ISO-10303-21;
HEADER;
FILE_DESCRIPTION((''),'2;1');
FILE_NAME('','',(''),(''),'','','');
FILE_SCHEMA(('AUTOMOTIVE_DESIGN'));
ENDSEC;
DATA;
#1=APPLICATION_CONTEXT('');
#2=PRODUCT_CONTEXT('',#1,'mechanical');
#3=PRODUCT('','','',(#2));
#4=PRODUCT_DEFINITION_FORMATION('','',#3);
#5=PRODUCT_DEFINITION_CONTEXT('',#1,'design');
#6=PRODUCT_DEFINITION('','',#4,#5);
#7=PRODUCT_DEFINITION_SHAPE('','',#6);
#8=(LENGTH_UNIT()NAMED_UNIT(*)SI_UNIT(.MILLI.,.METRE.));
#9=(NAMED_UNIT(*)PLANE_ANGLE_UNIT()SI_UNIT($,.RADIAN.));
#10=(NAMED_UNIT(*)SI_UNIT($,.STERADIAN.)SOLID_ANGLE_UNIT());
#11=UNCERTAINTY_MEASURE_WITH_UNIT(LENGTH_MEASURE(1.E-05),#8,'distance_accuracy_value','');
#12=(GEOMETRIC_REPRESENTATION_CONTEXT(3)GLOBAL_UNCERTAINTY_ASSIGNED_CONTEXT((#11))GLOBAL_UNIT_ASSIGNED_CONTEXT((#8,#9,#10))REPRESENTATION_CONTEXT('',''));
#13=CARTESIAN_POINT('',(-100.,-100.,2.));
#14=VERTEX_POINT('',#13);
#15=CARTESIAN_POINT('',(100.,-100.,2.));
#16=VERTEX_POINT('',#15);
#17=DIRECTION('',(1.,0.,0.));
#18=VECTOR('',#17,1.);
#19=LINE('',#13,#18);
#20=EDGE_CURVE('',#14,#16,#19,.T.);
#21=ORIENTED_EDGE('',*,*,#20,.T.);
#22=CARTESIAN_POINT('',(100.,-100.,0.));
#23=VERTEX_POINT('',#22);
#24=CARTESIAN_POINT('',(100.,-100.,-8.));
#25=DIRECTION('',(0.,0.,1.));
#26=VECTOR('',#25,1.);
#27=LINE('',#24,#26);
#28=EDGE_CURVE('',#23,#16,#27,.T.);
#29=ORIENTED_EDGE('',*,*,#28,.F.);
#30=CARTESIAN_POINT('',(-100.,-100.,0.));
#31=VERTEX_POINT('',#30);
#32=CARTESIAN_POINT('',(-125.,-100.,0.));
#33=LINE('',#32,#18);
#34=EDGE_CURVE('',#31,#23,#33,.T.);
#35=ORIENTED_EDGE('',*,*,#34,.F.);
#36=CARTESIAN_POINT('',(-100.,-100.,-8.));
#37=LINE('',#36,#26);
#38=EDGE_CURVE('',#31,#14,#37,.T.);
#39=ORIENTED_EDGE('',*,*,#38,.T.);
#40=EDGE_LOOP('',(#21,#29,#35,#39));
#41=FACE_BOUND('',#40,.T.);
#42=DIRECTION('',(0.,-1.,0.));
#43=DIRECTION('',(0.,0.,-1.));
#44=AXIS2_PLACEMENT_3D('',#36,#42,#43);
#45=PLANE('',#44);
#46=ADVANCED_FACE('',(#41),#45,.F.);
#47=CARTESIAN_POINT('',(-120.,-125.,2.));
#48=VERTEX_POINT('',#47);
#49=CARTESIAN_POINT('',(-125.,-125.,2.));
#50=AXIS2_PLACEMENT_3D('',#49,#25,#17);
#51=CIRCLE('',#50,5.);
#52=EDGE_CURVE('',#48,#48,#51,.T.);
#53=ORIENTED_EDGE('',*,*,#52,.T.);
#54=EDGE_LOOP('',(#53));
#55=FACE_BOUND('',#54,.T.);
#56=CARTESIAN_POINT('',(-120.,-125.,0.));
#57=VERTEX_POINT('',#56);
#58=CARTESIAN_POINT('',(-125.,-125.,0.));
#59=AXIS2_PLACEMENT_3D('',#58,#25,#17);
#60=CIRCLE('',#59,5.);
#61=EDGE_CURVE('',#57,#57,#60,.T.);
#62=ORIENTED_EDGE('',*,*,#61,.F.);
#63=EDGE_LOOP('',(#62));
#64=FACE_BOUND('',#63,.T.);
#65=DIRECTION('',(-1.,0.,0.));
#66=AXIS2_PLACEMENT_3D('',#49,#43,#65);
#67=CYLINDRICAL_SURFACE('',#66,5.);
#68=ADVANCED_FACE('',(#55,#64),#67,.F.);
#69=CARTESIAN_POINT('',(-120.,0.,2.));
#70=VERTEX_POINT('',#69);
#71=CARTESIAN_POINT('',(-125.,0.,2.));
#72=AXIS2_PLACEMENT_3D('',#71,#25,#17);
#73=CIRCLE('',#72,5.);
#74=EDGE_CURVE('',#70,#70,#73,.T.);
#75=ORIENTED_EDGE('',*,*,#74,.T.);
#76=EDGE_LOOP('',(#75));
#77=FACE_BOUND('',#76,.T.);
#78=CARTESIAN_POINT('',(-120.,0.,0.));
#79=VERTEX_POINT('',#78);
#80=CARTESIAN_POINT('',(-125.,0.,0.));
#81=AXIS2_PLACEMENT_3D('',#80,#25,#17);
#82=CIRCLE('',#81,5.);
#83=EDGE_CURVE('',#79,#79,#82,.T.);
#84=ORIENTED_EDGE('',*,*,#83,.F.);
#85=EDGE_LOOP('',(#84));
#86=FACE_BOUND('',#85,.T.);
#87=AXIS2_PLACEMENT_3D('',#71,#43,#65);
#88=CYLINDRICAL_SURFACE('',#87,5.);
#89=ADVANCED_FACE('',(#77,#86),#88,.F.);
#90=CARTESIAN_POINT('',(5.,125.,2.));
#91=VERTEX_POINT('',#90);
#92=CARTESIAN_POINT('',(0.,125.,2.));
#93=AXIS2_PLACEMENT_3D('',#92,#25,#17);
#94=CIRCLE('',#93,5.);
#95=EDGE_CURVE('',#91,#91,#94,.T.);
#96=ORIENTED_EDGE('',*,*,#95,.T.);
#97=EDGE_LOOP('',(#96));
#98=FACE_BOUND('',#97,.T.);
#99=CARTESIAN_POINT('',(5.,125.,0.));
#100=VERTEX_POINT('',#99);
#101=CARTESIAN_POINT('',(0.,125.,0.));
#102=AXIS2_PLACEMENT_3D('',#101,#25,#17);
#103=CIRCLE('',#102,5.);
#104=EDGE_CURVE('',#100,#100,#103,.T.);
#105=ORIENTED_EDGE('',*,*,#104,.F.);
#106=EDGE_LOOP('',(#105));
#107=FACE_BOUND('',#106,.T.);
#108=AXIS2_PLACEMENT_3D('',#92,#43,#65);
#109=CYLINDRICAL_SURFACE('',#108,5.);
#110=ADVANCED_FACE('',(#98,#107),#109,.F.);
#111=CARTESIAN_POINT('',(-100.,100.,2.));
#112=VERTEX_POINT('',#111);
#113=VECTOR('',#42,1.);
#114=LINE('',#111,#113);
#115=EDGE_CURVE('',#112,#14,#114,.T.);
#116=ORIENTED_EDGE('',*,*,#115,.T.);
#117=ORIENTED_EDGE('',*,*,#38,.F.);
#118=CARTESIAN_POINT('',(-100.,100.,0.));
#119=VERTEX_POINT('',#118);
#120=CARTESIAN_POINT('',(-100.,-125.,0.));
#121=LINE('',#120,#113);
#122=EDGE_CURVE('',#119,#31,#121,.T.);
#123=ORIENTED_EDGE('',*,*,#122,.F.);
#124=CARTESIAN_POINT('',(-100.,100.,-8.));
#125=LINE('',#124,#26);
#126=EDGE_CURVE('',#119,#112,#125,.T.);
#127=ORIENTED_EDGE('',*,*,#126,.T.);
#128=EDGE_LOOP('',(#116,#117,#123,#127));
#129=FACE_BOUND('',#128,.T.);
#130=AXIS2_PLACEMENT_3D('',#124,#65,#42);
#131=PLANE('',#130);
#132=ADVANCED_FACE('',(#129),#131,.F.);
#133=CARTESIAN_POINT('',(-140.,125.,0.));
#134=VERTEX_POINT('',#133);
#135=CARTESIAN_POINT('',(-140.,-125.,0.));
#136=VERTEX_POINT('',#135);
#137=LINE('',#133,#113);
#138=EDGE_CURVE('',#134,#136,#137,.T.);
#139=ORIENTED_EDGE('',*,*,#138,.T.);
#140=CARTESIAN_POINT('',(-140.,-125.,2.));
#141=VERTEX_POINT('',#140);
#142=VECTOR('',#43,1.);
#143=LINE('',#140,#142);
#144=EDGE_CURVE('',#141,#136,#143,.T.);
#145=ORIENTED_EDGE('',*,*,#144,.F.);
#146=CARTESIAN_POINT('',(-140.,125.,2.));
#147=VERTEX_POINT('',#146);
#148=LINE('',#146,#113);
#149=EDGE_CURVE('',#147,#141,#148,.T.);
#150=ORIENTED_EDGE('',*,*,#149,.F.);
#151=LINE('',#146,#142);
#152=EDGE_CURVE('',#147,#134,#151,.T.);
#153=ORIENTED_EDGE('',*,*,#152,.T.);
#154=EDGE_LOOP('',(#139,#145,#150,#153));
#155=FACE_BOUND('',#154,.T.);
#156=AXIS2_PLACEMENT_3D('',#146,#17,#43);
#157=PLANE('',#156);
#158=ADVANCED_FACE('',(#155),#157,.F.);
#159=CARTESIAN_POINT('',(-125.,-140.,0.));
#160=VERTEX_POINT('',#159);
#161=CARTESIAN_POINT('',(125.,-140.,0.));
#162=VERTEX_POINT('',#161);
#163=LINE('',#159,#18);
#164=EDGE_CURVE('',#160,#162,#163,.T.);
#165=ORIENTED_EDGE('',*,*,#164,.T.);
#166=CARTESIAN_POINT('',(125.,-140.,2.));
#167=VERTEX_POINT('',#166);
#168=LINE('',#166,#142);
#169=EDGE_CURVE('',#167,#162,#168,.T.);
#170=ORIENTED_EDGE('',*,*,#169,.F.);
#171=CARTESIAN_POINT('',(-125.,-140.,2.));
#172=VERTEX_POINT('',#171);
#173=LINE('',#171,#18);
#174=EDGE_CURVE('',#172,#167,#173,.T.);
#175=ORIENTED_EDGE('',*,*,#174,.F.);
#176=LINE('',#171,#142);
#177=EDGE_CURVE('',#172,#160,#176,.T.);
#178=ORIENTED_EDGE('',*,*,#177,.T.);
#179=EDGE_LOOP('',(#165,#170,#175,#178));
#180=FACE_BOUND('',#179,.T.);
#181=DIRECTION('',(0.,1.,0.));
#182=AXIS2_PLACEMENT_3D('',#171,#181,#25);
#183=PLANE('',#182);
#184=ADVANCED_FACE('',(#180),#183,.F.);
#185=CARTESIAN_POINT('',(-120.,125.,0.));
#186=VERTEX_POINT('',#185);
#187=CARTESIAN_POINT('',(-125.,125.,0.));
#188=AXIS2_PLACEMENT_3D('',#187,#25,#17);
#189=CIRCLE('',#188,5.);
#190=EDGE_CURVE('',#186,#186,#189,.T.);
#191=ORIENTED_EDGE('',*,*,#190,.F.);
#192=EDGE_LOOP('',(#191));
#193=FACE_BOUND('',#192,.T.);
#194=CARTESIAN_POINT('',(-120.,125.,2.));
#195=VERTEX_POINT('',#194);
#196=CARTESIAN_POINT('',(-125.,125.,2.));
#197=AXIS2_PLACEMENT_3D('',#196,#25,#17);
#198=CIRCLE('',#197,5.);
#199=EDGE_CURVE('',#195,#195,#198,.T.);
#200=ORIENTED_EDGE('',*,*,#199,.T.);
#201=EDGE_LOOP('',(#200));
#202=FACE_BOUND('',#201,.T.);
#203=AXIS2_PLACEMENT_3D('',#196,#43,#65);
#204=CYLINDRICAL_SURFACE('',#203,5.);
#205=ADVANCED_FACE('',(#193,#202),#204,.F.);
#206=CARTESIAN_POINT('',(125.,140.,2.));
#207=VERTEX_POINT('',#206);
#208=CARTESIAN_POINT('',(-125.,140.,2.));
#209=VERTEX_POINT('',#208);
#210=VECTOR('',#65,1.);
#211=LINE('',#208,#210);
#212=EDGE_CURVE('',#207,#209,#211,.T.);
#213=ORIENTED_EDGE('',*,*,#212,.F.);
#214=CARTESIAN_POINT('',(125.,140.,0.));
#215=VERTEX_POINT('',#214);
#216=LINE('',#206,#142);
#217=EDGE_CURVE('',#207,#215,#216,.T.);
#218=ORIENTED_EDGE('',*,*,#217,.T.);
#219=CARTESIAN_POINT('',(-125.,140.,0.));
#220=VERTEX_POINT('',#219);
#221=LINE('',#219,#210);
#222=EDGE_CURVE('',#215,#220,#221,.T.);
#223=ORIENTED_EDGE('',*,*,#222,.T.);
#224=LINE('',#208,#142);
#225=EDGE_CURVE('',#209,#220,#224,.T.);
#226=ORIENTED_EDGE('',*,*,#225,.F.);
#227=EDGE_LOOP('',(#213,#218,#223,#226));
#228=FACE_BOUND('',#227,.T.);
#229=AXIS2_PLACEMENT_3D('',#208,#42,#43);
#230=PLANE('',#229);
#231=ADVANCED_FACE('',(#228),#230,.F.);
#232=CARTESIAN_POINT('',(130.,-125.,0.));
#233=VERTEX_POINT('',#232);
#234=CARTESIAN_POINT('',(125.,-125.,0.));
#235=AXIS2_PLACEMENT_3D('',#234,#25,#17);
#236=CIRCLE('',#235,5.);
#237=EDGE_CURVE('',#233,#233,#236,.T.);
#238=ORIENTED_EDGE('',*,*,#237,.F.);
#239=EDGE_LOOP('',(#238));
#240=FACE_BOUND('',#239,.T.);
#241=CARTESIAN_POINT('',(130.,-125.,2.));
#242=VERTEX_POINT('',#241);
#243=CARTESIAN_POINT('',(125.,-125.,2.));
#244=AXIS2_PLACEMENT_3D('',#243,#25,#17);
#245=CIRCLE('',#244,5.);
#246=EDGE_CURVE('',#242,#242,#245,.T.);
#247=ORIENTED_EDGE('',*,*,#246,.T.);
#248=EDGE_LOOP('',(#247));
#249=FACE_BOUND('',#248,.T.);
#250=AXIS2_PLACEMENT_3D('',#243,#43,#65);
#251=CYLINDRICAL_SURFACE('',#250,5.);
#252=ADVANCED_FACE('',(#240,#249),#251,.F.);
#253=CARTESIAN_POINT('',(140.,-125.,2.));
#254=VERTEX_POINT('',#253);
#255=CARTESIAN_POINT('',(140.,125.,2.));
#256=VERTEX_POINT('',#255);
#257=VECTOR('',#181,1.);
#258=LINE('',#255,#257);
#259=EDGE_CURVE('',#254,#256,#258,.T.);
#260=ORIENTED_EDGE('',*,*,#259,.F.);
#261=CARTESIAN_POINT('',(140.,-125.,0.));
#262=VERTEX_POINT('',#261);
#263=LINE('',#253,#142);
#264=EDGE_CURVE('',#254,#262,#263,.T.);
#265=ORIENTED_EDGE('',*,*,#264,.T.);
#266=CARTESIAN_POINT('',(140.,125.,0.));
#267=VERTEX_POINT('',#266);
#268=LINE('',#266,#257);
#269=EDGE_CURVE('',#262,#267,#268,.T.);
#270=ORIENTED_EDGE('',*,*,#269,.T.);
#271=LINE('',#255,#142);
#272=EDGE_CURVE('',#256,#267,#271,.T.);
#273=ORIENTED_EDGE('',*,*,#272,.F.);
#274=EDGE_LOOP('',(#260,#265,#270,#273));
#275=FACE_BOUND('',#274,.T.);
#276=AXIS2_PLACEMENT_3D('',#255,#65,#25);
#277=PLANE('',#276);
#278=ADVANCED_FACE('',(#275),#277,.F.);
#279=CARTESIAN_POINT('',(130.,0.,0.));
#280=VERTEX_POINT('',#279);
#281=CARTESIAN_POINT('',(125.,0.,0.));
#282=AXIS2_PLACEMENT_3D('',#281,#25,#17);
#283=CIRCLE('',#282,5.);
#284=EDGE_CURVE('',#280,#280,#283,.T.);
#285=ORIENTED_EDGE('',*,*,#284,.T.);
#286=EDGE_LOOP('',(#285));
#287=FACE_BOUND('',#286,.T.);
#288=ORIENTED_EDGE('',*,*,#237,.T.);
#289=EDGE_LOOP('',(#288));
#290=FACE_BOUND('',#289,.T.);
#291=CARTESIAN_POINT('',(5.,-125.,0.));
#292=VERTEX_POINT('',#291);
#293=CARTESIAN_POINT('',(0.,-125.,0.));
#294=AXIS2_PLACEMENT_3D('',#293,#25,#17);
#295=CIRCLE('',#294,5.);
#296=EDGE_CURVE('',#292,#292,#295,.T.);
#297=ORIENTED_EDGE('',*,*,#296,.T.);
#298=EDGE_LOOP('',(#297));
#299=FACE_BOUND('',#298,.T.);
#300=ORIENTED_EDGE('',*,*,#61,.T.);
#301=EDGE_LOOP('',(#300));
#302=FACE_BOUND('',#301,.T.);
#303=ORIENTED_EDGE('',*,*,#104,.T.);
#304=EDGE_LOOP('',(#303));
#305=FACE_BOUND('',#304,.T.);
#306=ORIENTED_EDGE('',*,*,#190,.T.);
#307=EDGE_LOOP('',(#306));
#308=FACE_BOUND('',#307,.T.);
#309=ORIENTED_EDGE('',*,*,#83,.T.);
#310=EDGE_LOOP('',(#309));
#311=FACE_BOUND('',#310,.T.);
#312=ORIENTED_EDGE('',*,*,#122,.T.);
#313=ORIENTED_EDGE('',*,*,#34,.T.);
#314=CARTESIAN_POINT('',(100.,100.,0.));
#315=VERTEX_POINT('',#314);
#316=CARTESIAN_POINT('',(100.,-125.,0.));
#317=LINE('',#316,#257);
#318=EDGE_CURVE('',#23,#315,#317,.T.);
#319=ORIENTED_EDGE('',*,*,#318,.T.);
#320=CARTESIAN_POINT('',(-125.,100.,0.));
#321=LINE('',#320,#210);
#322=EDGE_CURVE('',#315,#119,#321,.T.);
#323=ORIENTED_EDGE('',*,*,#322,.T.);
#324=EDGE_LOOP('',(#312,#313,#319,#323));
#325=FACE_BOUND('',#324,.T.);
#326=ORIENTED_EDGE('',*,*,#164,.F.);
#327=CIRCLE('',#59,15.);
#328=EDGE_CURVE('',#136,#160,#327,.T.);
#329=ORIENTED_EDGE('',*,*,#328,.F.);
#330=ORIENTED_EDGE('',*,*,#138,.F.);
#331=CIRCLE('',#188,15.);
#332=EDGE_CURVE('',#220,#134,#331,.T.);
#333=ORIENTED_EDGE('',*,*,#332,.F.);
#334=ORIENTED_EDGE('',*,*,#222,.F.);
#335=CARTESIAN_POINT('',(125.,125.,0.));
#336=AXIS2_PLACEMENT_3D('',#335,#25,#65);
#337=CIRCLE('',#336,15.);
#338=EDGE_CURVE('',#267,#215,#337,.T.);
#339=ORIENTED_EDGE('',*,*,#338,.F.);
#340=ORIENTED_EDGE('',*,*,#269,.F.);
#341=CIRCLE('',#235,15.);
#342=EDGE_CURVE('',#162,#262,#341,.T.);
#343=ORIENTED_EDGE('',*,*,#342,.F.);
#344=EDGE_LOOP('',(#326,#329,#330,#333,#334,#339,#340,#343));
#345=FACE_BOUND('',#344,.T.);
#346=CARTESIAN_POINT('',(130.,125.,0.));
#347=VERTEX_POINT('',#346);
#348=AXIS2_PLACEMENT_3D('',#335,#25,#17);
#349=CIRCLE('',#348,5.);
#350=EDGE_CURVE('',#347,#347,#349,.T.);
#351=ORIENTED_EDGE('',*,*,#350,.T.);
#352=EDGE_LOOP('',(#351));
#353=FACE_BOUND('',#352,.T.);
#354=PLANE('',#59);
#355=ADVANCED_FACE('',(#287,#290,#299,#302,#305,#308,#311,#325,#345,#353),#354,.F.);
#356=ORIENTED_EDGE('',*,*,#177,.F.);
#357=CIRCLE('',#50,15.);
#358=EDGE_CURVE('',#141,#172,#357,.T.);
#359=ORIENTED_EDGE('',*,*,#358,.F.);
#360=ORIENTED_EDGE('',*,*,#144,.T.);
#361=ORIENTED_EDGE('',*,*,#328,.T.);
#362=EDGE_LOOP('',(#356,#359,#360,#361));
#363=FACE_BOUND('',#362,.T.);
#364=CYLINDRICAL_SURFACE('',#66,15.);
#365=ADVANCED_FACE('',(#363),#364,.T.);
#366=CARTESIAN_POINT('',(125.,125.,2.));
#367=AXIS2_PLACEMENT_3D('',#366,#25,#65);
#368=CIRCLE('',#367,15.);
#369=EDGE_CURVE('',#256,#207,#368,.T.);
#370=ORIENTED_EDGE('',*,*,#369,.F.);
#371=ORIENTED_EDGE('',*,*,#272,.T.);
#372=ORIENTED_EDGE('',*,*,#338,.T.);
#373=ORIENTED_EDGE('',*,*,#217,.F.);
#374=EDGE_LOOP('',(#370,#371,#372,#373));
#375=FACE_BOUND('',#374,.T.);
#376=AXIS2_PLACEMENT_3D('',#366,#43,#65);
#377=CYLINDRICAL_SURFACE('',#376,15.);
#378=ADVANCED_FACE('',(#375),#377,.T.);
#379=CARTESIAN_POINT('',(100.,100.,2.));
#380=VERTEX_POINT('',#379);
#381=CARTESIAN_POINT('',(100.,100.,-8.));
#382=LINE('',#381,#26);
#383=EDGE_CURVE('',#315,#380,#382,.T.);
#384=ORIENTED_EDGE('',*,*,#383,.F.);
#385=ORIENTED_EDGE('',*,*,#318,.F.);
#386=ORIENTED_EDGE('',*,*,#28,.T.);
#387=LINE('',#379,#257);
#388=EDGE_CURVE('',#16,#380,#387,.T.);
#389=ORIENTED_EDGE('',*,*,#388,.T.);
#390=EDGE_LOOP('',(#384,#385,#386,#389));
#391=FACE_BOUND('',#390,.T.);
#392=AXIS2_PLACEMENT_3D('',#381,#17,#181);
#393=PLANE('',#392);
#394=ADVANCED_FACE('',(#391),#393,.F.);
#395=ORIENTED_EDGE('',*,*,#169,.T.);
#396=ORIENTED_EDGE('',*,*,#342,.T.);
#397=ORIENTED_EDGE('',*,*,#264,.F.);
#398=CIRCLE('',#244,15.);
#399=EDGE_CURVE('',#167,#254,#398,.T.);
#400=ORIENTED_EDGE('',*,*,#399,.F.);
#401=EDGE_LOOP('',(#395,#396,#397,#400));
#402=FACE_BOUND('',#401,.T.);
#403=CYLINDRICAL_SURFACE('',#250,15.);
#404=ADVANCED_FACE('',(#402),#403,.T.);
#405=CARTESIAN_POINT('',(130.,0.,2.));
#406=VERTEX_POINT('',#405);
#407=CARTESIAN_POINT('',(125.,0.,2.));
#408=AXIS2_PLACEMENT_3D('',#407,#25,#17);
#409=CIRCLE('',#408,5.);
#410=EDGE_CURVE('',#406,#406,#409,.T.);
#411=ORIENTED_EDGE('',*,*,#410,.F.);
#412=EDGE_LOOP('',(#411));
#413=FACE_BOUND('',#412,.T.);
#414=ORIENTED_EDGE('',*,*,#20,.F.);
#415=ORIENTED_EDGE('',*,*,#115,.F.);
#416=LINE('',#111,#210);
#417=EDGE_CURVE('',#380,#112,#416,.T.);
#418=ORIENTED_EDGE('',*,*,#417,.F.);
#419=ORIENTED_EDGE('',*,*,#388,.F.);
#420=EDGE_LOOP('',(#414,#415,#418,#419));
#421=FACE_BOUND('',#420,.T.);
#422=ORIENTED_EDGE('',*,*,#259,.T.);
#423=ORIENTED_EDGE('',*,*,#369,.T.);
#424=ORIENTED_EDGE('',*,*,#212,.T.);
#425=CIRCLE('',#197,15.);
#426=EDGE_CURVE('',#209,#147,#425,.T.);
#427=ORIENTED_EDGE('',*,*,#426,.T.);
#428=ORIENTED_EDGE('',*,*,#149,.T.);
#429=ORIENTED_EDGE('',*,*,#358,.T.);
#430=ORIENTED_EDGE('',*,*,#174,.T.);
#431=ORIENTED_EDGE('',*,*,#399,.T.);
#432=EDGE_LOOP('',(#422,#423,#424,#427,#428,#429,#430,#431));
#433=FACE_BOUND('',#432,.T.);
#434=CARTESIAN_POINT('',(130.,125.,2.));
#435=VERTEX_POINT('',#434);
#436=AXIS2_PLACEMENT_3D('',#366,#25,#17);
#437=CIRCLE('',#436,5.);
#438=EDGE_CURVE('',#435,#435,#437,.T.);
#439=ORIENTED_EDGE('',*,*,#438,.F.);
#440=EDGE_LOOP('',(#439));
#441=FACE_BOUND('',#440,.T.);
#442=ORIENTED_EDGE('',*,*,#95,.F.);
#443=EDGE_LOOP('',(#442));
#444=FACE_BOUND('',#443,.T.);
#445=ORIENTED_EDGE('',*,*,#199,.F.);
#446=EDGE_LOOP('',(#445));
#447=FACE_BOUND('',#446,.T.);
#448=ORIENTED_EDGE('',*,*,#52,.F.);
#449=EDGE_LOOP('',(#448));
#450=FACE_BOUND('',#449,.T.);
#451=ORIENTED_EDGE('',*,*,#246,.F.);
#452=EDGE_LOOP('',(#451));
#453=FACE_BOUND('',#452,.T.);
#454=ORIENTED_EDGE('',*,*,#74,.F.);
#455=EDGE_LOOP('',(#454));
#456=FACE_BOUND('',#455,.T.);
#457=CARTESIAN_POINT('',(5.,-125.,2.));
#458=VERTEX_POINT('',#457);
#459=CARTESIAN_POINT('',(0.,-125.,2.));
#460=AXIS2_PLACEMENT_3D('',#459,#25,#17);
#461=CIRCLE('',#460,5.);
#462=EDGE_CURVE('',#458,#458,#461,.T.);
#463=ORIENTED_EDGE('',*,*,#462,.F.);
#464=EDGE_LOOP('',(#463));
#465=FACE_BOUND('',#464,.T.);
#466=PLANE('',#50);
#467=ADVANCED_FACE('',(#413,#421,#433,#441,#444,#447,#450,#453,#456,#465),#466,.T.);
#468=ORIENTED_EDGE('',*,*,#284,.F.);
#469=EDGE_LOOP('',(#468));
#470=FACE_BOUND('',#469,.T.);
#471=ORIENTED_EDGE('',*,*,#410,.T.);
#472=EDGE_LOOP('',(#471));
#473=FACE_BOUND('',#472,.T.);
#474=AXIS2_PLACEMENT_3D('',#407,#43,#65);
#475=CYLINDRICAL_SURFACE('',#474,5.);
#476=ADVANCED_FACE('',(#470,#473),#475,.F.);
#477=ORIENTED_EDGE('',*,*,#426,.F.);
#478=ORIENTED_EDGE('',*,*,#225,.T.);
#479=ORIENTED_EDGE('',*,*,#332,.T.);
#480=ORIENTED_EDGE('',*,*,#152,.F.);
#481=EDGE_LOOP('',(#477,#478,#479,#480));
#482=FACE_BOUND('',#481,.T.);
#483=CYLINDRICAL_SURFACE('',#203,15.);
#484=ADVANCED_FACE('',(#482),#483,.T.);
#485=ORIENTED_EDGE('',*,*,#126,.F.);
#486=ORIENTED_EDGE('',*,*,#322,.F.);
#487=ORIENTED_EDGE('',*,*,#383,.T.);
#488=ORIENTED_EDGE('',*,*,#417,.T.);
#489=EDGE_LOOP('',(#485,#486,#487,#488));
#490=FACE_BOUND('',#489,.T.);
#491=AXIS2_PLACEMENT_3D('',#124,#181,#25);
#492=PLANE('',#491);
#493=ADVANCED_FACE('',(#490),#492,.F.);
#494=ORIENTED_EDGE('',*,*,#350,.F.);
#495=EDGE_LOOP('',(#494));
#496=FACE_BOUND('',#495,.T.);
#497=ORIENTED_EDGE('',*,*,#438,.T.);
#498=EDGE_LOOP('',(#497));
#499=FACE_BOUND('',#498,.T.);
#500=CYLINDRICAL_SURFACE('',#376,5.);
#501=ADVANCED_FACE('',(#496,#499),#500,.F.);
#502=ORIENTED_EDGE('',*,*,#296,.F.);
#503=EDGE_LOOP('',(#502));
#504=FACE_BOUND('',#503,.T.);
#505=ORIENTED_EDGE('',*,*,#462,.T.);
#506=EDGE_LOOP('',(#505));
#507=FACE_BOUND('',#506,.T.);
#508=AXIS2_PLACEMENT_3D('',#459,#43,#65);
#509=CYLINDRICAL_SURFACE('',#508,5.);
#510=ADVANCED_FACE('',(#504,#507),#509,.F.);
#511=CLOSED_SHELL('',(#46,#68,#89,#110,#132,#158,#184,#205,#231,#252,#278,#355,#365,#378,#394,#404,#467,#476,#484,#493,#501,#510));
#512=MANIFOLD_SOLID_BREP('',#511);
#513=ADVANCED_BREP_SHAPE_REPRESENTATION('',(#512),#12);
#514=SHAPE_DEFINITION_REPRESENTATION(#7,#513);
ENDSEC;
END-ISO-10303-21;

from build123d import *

# Parameters (mm, degrees)
SKETCH2_R           = 5
SKETCH2_R_2         = 4
BOSS_EXTRUDE1_DEPTH = 2
SKETCH3_W           = 200
SKETCH3_H           = 200
CUT_EXTRUDE1_DEPTH  = 10


with BuildPart() as part:
    # Sketch2 → Boss-Extrude1 (new body)
    with BuildSketch(Plane.XY):
        with BuildLine():
            Line((-125, 140), (125, 140))
            ThreePointArc((125, 140), (135.606601718, 135.606601718), (140, 125))
            Line((140, 125), (140, -125))
            ThreePointArc((140, -125), (135.606601718, -135.606601718), (125, -140))
            Line((125, -140), (-125, -140))
            ThreePointArc((-125, -140), (-135.606601718, -135.606601718), (-140, -125))
            Line((-140, -125), (-140, 125))
            ThreePointArc((-140, 125), (-135.606601718, 135.606601718), (-125, 140))
        make_face()
        with Locations((-125, 125)):
            Circle(SKETCH2_R, mode=Mode.SUBTRACT)
        with Locations((0, 125)):
            Circle(SKETCH2_R, mode=Mode.SUBTRACT)
        with Locations((125, 125)):
            Circle(SKETCH2_R, mode=Mode.SUBTRACT)
        Circle(SKETCH2_R_2, mode=Mode.SUBTRACT)
        with Locations((125, 0)):
            Circle(SKETCH2_R, mode=Mode.SUBTRACT)
        with Locations((-125, 0)):
            Circle(SKETCH2_R, mode=Mode.SUBTRACT)
        with Locations((-125, -125)):
            Circle(SKETCH2_R, mode=Mode.SUBTRACT)
        with Locations((0, -125)):
            Circle(SKETCH2_R, mode=Mode.SUBTRACT)
        with Locations((125, -125)):
            Circle(SKETCH2_R, mode=Mode.SUBTRACT)
    extrude(amount=BOSS_EXTRUDE1_DEPTH)

    # Sketch3 → Cut-Extrude1 (cut)
    with BuildSketch(Plane.XY.offset(2)):
        Rectangle(SKETCH3_W, SKETCH3_H)
    extrude(amount=-CUT_EXTRUDE1_DEPTH, mode=Mode.SUBTRACT)


solid = part.part
